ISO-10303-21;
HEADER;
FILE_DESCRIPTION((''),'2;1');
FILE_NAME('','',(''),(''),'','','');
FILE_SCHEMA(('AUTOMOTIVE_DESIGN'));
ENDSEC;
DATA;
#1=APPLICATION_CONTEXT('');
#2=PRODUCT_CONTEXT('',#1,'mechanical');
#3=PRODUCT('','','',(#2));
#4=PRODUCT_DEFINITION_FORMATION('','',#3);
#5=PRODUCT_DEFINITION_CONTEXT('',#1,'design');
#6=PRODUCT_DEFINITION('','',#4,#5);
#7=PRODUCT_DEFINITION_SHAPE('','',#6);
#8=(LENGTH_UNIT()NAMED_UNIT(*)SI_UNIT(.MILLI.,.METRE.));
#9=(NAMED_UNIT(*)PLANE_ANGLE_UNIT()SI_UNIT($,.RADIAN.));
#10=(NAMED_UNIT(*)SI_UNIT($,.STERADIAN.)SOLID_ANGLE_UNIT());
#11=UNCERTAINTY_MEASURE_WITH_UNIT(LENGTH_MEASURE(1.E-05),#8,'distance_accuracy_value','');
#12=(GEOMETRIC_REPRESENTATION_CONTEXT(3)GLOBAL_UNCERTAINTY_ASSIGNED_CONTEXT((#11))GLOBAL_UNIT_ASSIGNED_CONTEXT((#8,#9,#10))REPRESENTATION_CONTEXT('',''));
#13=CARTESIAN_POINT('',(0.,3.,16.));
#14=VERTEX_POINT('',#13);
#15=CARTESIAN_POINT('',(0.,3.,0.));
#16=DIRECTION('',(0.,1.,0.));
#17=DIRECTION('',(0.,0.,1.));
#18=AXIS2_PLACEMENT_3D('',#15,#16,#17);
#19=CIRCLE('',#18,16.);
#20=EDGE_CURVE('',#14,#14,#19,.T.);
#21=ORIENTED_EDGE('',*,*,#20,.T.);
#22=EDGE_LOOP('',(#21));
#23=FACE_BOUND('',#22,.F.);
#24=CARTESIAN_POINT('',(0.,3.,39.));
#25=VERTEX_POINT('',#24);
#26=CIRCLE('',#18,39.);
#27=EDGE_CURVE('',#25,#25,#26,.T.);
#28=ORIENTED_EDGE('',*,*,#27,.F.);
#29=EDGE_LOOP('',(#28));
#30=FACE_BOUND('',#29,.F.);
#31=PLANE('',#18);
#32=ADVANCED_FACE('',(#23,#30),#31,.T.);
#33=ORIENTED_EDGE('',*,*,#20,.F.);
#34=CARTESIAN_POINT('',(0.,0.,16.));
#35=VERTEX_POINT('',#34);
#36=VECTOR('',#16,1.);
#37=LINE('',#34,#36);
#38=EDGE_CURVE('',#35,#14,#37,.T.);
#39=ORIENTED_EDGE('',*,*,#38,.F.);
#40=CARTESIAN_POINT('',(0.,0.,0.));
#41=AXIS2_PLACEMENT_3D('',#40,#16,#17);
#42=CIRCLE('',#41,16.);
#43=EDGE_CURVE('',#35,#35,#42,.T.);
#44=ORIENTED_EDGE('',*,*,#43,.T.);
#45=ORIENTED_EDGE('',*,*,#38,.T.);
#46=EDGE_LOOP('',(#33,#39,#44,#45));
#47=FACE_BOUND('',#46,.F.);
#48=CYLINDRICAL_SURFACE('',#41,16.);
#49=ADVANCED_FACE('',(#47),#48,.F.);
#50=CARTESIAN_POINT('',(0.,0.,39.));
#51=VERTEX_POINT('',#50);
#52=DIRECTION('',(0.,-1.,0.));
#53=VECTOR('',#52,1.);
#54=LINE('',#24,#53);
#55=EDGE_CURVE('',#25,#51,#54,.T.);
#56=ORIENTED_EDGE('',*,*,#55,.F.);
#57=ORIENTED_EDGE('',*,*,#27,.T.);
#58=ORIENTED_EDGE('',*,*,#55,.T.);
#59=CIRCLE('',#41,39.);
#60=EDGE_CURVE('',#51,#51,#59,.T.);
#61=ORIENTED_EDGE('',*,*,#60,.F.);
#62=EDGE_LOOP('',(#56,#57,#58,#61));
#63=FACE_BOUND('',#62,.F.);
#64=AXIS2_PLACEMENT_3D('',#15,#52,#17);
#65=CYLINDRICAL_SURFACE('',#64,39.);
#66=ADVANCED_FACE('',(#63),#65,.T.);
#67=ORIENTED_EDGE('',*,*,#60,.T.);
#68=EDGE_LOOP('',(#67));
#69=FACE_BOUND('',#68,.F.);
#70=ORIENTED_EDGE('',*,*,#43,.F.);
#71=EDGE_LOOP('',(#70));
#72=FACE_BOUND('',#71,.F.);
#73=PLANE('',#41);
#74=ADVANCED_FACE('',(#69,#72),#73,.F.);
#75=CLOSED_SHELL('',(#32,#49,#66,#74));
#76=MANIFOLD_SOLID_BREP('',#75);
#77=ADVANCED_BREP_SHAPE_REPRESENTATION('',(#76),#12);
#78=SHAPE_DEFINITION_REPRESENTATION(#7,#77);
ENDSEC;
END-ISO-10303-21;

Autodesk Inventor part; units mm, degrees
ref_plane "YZ Plane" through (0, 0, 0) normal (1, 0, 0) x (0, 1, 0)
ref_plane "XZ Plane" through (0, 0, 0) normal (0, 1, 0) x (-1, 0, 0)
ref_plane "XY Plane" through (0, 0, 0) normal (0, 0, 1) x (1, 0, 0)
sketch "Sketch1" plane through (0, 0, 0) normal (1, 0, 0) x (0, 1, 0)
  line L0 (0, 16) -> (3, 16)
  line L1 (3, 16) -> (3, 39)
  line L2 (3, 39) -> (0, 39)
  line L3 (0, 39) -> (0, 16)
  line L4 (-0.6, 0) -> (3.6, 0) projected
  point P0 (0, 0)
  point P1 (0, 0)
  dimension "d2" = 3
  dimension "d3" = 23
revolve "Revolution1" add sketch "Sketch1" angle 360 about axis through (0, -10, 0) along (0, 1, 0)
properties part number "tomites" material "Rubber"
